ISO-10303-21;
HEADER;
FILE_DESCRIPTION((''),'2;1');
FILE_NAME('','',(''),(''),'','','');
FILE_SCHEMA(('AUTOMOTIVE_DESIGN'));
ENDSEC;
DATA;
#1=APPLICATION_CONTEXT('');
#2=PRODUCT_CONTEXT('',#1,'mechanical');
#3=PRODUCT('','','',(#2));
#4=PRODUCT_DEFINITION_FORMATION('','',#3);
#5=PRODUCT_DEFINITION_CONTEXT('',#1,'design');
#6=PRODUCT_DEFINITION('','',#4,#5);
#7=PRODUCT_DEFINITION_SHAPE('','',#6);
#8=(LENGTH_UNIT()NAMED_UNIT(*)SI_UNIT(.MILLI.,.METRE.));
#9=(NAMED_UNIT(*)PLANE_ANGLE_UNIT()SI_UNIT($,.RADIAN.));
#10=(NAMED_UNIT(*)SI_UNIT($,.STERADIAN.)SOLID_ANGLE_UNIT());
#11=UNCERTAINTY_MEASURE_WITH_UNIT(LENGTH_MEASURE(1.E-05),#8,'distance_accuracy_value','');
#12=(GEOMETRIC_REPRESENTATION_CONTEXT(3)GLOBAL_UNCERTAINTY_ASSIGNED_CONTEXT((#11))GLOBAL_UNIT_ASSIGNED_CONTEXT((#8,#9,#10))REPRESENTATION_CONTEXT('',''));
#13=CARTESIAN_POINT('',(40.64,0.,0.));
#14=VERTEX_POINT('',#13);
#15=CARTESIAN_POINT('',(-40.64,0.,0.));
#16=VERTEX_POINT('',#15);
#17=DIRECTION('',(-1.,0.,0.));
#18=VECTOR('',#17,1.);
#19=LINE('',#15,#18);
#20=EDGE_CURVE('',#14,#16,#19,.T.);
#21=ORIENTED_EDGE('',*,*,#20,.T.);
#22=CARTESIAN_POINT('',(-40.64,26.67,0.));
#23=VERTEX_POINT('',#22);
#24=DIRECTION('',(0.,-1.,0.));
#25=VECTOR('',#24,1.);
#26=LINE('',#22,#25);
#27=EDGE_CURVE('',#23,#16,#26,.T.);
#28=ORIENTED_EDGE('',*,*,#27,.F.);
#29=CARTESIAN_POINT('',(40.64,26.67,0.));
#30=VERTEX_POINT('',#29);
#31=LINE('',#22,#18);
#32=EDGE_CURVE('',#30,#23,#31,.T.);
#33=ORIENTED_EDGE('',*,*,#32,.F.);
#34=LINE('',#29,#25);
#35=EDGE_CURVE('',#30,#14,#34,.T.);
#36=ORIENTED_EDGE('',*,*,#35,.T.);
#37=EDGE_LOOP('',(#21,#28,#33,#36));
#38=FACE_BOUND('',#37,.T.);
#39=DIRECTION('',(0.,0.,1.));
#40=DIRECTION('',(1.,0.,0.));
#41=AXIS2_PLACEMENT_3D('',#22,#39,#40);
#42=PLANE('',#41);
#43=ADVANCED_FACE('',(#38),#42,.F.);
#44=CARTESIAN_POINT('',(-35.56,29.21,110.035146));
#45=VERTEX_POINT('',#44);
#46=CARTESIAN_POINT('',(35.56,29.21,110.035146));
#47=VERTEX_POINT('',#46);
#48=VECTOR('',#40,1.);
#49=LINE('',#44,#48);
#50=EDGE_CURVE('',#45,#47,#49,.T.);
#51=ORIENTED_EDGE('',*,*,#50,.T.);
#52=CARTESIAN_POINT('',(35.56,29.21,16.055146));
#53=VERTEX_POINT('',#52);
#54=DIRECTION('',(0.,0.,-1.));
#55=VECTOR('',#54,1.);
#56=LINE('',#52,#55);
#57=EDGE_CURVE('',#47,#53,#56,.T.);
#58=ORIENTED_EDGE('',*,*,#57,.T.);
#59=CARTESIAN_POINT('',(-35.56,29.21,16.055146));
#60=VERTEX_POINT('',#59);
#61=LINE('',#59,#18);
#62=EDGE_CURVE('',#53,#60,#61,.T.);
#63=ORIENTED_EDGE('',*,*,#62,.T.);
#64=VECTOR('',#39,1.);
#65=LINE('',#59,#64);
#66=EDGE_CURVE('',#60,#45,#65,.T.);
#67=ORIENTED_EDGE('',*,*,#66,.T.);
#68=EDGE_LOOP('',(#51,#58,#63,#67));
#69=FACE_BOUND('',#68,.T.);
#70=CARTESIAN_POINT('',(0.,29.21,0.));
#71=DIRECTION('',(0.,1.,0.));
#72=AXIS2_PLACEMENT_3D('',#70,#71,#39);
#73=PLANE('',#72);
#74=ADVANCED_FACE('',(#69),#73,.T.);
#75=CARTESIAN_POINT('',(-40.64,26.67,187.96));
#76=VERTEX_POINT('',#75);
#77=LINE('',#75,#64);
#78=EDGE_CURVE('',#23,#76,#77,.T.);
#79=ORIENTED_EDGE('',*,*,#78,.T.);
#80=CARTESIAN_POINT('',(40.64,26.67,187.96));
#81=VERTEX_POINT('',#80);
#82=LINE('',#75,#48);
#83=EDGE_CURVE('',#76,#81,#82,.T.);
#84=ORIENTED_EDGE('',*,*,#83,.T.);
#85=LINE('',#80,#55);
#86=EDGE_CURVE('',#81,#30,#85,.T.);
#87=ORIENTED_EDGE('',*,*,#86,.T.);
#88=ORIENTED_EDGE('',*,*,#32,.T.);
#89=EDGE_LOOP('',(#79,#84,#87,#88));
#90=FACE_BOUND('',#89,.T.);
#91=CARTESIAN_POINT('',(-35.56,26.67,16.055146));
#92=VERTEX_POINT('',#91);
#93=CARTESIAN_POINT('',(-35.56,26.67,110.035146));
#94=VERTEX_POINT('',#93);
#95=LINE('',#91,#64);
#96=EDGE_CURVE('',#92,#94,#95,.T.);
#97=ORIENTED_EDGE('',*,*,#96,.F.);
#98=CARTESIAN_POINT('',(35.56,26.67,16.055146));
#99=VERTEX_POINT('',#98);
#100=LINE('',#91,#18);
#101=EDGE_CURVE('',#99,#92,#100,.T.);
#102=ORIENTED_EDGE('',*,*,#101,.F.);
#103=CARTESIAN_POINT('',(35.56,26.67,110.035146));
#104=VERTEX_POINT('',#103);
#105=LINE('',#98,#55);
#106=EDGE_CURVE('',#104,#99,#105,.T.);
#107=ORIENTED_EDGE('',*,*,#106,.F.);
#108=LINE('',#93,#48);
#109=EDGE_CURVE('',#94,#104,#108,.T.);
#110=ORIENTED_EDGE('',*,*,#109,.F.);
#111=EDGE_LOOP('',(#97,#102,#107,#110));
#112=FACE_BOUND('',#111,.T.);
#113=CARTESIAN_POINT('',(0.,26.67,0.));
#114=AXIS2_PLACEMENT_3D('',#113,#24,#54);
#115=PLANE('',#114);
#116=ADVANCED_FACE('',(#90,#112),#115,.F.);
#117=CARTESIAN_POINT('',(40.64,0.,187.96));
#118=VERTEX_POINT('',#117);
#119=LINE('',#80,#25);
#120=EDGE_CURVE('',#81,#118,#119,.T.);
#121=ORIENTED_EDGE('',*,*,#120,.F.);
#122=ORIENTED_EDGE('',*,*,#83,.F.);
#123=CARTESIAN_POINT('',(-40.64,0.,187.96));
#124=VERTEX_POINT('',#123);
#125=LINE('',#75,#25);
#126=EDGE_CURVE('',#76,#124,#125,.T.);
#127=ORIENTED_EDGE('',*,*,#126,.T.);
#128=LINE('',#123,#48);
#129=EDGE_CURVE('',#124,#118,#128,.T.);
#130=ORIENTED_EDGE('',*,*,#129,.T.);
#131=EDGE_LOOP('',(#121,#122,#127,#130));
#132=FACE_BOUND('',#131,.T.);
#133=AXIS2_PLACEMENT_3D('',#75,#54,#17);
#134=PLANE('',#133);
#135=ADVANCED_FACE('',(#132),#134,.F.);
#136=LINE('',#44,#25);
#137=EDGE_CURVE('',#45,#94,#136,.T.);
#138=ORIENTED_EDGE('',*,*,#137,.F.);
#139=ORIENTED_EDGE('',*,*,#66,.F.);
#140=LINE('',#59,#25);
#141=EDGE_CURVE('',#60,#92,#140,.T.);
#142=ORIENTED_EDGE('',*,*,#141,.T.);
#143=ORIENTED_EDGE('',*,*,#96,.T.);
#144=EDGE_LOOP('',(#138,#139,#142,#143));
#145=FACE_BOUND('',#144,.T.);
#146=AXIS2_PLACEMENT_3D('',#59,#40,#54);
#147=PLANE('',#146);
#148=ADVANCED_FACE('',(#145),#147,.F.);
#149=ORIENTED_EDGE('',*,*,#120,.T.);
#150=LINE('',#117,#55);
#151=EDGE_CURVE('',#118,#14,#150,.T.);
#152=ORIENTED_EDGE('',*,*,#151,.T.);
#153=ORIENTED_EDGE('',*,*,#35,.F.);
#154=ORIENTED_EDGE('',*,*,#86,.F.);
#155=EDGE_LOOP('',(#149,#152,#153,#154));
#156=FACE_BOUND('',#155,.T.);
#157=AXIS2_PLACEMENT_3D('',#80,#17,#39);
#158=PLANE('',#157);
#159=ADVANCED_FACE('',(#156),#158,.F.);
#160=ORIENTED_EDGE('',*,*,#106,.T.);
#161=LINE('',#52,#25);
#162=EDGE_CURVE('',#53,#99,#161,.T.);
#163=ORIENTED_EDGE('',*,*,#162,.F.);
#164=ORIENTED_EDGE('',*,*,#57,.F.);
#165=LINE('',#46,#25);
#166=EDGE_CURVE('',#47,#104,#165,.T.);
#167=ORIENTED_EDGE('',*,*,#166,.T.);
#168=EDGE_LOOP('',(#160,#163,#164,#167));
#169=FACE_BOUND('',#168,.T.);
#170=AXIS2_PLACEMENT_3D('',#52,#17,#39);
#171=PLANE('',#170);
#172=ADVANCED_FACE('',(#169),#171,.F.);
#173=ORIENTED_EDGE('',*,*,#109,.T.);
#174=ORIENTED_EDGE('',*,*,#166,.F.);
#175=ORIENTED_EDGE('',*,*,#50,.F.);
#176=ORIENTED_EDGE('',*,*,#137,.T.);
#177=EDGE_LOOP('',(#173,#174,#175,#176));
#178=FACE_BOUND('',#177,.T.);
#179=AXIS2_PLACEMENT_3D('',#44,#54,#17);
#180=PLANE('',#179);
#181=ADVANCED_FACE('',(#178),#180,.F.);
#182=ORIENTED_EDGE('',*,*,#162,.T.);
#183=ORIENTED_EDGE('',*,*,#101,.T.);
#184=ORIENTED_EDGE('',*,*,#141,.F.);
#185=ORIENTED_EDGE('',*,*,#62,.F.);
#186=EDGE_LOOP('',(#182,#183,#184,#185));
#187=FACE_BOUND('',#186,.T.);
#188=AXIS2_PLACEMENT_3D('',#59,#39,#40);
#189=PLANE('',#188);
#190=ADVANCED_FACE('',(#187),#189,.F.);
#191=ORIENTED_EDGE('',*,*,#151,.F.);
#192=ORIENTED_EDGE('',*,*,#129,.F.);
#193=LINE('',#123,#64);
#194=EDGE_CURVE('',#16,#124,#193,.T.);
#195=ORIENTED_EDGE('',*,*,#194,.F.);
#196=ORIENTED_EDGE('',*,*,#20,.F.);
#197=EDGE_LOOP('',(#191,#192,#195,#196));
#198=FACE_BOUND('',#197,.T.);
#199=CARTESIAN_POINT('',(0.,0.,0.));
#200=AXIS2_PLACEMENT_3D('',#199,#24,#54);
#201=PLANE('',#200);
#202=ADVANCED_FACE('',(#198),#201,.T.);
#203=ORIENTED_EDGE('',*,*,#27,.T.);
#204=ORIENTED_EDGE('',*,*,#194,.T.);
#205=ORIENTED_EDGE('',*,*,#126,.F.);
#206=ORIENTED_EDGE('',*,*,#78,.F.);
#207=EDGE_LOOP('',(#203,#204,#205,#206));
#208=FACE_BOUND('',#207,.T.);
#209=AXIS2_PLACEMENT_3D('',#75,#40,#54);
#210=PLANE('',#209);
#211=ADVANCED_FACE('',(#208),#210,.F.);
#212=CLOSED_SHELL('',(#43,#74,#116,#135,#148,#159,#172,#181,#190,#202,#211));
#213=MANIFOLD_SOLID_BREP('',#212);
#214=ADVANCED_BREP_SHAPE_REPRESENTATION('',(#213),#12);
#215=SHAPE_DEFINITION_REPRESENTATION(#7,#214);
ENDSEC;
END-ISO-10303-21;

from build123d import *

# Parameters (mm, degrees)
SKETCH2_W           = 81.28
SKETCH2_H           = 187.96
BOSS_EXTRUDE1_DEPTH = 26.67
SKETCH4_W           = 71.12
SKETCH4_H           = 93.98
BOSS_EXTRUDE2_DEPTH = 2.54


with BuildPart() as part:
    # Sketch2 → Boss-Extrude1 (new body)
    with BuildSketch(Plane(origin=(0, 0, 0), x_dir=(1, 0, 0), z_dir=(0, 1, 0))):
        with Locations((0, -93.98)):
            Rectangle(SKETCH2_W, SKETCH2_H)
    extrude(amount=BOSS_EXTRUDE1_DEPTH)

    # Sketch4 → Boss-Extrude2 (add)
    with BuildSketch(Plane(origin=(0, 26.67, 0), x_dir=(1, 0, 0), z_dir=(0, 1, 0))):
        with Locations((0, -63.045146039)):
            Rectangle(SKETCH4_W, SKETCH4_H)
    extrude(amount=BOSS_EXTRUDE2_DEPTH)


solid = part.part
